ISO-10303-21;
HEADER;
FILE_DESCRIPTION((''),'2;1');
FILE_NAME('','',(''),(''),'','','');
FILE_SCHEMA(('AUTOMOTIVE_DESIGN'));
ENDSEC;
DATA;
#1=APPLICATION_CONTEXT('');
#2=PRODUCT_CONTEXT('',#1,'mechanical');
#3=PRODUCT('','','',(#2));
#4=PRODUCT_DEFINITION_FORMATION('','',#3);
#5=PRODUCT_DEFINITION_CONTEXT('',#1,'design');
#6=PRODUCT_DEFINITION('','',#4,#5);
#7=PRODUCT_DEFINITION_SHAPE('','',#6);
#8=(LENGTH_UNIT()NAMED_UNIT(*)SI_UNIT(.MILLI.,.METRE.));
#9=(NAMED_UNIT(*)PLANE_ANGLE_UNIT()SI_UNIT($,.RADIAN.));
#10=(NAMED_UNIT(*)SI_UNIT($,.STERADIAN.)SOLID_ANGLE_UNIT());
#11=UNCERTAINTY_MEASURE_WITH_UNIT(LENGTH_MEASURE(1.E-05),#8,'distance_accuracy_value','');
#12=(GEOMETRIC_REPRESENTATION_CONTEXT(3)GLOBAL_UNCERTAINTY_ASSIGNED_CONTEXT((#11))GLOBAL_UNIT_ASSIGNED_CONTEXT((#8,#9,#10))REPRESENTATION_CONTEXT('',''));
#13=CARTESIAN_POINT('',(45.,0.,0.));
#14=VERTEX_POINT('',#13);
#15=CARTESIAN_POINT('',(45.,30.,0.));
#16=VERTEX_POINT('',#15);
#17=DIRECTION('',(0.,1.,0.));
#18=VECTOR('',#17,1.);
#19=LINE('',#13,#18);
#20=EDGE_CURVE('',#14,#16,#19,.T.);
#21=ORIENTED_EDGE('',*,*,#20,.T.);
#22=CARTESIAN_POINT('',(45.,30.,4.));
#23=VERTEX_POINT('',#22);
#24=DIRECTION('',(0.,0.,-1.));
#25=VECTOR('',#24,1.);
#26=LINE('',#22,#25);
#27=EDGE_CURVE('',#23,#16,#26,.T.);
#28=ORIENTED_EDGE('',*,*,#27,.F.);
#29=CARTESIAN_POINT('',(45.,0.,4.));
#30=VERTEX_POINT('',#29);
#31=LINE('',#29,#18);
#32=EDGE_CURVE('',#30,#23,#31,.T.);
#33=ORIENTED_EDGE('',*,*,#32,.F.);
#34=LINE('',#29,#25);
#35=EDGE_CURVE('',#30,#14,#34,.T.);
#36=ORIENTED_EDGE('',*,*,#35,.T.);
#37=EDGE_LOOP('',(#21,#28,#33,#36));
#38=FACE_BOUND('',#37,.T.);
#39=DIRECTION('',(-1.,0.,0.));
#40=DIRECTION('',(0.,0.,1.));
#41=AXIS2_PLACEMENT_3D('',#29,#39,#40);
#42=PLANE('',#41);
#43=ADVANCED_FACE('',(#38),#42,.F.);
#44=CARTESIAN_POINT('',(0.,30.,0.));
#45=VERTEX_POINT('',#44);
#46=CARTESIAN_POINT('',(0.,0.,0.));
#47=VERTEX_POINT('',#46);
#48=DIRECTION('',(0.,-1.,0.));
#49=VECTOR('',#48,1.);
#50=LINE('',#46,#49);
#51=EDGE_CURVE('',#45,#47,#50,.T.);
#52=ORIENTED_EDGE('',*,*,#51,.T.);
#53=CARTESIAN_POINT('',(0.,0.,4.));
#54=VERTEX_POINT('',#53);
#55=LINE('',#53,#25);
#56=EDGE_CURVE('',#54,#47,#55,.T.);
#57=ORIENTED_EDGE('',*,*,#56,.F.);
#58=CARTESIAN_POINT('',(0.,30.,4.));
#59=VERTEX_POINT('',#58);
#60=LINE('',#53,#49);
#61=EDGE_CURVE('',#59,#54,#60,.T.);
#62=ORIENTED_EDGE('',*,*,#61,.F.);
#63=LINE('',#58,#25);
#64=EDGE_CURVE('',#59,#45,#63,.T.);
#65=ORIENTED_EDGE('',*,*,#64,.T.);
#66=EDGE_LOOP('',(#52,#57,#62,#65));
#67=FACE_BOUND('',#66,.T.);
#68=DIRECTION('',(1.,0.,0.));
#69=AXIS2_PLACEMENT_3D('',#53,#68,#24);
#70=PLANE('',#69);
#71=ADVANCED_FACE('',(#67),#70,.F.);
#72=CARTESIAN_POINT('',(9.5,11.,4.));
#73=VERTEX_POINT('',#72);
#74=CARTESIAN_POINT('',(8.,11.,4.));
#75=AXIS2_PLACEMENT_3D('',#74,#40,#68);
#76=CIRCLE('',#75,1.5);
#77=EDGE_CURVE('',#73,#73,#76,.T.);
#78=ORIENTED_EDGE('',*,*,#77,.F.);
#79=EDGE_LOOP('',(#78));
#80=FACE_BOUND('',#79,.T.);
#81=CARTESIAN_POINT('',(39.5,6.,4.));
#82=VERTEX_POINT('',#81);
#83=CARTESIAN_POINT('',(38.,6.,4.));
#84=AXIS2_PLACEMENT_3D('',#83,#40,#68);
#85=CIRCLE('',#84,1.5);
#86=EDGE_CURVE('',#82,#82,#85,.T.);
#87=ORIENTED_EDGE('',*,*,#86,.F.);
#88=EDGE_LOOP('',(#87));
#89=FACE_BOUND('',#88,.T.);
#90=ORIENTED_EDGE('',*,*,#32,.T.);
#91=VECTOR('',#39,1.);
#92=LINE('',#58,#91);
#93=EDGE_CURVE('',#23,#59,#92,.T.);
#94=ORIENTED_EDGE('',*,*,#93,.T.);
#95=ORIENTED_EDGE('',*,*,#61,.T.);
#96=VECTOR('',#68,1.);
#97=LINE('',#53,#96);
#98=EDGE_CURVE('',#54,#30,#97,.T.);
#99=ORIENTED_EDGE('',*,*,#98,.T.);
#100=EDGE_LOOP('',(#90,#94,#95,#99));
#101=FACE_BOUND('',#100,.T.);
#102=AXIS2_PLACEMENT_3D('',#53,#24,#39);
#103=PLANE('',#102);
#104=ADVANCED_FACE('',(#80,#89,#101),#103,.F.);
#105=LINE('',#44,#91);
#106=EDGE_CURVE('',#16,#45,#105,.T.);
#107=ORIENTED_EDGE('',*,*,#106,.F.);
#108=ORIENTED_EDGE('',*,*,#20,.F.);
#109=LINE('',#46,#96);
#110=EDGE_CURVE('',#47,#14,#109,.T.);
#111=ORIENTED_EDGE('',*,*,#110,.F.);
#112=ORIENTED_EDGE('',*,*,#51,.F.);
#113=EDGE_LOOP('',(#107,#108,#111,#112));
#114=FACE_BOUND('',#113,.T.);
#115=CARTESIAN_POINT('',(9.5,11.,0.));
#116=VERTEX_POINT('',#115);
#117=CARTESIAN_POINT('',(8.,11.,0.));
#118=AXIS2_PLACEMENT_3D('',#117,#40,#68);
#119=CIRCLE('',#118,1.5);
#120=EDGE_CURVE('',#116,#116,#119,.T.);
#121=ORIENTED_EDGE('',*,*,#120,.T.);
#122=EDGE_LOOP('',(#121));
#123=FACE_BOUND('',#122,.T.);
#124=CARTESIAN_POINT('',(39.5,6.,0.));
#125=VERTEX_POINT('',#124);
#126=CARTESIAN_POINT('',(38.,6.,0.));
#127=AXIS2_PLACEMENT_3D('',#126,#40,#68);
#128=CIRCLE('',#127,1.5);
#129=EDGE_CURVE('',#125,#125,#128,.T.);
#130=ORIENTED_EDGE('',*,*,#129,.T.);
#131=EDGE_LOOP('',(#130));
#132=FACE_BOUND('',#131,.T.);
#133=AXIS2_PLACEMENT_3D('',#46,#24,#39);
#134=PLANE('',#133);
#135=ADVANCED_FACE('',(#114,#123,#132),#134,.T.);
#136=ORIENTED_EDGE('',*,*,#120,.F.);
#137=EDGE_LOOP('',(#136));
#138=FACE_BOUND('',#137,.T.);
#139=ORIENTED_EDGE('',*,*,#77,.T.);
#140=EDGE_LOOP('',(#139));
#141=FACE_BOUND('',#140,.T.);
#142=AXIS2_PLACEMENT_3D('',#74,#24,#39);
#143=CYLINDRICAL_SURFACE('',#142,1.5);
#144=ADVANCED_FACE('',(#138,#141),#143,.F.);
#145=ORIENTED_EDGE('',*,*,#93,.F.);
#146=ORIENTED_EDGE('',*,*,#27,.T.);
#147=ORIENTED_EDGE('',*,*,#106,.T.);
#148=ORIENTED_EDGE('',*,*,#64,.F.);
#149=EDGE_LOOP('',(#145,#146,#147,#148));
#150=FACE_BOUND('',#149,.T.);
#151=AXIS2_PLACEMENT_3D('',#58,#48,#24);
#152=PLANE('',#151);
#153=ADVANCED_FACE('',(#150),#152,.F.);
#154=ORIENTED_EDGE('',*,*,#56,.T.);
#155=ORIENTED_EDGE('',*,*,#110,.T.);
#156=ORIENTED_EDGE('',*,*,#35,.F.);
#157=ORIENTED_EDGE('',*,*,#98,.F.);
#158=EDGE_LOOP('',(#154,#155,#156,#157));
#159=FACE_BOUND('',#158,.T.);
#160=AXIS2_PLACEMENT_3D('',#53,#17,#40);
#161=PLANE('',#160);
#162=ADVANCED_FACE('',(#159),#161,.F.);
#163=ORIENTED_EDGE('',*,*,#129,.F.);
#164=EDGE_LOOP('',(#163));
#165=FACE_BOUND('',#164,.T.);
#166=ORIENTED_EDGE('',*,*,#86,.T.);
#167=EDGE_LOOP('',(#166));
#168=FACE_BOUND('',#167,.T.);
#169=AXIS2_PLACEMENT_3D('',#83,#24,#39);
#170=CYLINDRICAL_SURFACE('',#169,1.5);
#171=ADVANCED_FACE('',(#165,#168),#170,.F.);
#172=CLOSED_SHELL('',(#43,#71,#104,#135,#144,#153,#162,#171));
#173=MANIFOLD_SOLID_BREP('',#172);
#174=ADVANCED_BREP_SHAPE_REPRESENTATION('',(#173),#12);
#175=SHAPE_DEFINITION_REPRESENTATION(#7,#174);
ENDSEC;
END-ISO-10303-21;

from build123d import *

# Parameters (mm, degrees)
SKETCH1_W           = 45
SKETCH1_H           = 30
SKETCH1_R           = 1.5
BOSS_EXTRUDE1_DEPTH = 4


with BuildPart() as part:
    # Sketch1 → Boss-Extrude1 (new body)
    with BuildSketch(Plane.XY):
        with Locations((22.5, 15)):
            Rectangle(SKETCH1_W, SKETCH1_H)
        with Locations((38, 6)):
            Circle(SKETCH1_R, mode=Mode.SUBTRACT)
        with Locations((8, 11)):
            Circle(SKETCH1_R, mode=Mode.SUBTRACT)
    extrude(amount=BOSS_EXTRUDE1_DEPTH)


solid = part.part
